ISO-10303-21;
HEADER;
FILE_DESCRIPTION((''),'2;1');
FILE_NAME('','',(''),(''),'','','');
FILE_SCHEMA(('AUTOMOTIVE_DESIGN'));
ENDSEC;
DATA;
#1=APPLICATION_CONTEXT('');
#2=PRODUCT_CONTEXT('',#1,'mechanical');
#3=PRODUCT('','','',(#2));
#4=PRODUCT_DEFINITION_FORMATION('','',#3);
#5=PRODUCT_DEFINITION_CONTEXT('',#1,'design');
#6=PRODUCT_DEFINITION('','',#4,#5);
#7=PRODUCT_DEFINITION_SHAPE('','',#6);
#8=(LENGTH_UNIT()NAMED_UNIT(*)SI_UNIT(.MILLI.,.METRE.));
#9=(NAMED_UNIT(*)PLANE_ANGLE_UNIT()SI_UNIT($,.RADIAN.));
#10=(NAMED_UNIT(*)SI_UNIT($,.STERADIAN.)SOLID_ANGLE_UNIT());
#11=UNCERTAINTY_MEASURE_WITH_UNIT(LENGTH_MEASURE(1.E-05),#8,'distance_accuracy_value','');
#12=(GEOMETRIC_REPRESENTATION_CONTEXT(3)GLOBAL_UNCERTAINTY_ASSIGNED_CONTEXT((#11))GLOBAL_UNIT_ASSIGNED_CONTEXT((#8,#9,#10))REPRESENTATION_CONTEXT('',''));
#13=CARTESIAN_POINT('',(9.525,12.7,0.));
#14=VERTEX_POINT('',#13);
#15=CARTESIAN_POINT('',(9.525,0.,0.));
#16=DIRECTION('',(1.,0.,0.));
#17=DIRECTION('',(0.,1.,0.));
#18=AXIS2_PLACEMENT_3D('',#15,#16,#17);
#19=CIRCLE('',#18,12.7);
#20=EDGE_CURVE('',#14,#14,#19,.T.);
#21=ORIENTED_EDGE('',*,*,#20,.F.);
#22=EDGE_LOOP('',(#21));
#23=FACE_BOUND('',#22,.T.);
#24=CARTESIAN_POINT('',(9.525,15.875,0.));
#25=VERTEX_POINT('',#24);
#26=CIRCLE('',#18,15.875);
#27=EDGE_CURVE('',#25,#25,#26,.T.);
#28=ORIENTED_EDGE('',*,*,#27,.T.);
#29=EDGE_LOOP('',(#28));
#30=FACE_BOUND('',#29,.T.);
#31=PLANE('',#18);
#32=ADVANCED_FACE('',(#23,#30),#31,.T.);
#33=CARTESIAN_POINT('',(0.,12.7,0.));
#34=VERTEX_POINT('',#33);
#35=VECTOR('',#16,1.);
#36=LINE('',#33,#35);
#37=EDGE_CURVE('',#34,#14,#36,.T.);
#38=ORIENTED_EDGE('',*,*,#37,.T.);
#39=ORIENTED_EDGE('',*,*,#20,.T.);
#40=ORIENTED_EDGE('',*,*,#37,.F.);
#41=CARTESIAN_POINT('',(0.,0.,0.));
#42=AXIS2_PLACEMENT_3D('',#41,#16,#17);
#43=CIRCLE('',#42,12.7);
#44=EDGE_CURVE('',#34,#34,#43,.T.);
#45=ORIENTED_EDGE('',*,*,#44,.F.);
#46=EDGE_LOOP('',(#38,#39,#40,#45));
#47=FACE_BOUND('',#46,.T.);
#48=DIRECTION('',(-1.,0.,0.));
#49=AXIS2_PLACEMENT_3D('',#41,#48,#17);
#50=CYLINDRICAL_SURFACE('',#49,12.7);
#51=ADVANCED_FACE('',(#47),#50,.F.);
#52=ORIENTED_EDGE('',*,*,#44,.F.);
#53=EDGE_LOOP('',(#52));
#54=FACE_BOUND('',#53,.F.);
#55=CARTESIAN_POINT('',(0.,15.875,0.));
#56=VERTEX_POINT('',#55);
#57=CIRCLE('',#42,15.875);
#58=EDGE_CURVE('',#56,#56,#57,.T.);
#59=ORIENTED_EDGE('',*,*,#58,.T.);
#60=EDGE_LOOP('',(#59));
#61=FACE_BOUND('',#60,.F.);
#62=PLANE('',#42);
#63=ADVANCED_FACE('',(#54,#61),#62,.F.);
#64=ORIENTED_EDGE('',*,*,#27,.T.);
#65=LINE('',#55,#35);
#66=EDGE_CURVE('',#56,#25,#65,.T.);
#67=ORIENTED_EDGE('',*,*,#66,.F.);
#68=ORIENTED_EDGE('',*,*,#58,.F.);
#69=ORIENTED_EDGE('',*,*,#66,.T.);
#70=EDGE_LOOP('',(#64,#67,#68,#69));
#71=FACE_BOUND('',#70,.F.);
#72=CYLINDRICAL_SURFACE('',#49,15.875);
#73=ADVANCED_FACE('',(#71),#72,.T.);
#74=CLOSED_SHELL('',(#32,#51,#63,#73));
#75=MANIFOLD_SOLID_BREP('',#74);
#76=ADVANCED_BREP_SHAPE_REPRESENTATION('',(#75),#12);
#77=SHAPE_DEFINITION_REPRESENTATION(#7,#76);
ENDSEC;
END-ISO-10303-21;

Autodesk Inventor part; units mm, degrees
ref_plane "YZ Plane" through (0, 0, 0) normal (1, 0, 0) x (0, 1, 0)
ref_plane "XZ Plane" through (0, 0, 0) normal (0, 1, 0) x (-1, 0, 0)
ref_plane "XY Plane" through (0, 0, 0) normal (0, 0, 1) x (1, 0, 0)
sketch "Sketch1" plane through (0, 0, 0) normal (1, 0, 0) x (0, 1, 0)
  circle A0 centre (0, 0) radius 15.875
  circle A1 centre (0, 0) radius 12.7
  dimension "d0" = 31.75
  dimension "d5" = 25.4
extrude "Extrusion1" add sketch "Sketch1" along normal blind 9.525
properties part number "Temp - Wheel" material "Silicon Nitride"
